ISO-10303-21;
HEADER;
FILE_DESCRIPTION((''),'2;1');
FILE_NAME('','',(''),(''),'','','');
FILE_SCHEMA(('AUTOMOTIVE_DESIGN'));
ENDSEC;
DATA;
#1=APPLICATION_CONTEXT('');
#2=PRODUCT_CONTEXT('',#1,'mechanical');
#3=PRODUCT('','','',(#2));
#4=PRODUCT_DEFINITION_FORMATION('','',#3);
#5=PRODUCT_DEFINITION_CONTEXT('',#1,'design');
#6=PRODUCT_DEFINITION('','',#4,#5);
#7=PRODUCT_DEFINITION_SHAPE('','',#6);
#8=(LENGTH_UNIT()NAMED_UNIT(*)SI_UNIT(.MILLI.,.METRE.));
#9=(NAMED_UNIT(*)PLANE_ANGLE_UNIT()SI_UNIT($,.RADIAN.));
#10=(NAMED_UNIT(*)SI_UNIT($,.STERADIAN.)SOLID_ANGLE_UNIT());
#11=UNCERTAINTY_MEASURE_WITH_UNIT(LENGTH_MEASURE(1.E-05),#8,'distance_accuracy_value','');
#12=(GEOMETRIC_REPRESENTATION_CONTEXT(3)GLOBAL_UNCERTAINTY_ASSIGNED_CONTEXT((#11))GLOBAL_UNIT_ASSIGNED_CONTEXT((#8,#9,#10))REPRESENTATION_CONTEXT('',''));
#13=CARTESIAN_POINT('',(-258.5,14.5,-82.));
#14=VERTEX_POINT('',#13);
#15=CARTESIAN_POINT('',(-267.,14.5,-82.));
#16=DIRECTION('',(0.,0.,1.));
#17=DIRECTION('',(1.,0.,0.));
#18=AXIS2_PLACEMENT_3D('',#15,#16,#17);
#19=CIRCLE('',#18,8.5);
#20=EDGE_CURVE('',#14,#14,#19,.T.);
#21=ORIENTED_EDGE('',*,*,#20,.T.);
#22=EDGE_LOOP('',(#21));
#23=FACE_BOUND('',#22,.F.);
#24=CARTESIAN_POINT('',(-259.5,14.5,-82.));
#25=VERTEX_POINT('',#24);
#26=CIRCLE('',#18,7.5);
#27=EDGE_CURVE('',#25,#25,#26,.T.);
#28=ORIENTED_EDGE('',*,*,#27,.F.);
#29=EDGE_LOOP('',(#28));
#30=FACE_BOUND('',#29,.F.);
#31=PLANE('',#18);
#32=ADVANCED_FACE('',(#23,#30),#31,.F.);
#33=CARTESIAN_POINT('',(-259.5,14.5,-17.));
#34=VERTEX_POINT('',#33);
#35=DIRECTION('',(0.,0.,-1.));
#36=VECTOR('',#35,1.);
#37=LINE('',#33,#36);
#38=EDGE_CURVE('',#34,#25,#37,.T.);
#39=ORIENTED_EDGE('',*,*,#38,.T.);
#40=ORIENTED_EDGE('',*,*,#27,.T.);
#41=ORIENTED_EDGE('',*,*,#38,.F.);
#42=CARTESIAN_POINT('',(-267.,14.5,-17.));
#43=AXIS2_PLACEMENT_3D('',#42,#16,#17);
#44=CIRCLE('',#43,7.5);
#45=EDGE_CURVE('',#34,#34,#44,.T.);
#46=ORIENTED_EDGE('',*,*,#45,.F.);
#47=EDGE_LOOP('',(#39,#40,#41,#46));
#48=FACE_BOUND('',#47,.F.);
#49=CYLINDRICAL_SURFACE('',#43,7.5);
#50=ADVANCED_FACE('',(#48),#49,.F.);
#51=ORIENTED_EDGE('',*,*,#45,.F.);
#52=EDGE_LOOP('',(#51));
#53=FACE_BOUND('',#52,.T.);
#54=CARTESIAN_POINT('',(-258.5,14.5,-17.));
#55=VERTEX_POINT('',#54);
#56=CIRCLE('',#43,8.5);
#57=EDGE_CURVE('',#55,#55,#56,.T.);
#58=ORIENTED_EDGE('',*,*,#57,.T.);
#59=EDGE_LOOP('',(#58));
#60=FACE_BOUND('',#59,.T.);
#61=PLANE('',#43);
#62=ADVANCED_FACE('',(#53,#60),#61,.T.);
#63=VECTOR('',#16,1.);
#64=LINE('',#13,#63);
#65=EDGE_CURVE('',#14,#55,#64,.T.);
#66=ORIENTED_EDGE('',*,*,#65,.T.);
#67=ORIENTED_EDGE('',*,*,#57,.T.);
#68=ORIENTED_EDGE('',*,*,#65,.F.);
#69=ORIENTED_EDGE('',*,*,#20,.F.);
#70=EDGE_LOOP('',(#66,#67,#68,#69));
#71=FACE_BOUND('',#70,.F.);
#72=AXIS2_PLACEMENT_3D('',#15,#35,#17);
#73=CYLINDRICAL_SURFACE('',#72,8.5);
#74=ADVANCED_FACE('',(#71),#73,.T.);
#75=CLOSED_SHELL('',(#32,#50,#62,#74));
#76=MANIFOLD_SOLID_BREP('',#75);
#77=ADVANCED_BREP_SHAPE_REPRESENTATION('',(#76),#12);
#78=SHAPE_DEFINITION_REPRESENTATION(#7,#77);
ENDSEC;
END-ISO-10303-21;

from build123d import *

# Parameters (mm, degrees)
SKETCH020_R     = 8.5
PAD013_DEPTH    = 65
SKETCH022_R     = 7.5
POCKET001_DEPTH = 85
SKETCH_R        = 7
POCKET_DEPTH    = 70


with BuildPart() as part:
    # Sketch020 → Pad013 (new body)
    with BuildSketch(Plane.XY):
        Circle(SKETCH020_R)
    extrude(amount=PAD013_DEPTH)

    # Sketch022 (on Face3 of Pad013) → Pocket001 (cut)
    with BuildSketch(Plane.XY.offset(65)):
        Circle(SKETCH022_R)
    extrude(amount=-POCKET001_DEPTH, mode=Mode.SUBTRACT)

    # Sketch (on Face3 of Pad013) → Pocket (cut)
    with BuildSketch(Plane.XY.offset(65)):
        Circle(SKETCH_R)
    extrude(amount=-POCKET_DEPTH, mode=Mode.SUBTRACT)


with BuildPart() as part_1:
    # Body009 placement: moved
    add(part.part.moved(Location((-267, 14.5, -82))))


solid = part_1.part
